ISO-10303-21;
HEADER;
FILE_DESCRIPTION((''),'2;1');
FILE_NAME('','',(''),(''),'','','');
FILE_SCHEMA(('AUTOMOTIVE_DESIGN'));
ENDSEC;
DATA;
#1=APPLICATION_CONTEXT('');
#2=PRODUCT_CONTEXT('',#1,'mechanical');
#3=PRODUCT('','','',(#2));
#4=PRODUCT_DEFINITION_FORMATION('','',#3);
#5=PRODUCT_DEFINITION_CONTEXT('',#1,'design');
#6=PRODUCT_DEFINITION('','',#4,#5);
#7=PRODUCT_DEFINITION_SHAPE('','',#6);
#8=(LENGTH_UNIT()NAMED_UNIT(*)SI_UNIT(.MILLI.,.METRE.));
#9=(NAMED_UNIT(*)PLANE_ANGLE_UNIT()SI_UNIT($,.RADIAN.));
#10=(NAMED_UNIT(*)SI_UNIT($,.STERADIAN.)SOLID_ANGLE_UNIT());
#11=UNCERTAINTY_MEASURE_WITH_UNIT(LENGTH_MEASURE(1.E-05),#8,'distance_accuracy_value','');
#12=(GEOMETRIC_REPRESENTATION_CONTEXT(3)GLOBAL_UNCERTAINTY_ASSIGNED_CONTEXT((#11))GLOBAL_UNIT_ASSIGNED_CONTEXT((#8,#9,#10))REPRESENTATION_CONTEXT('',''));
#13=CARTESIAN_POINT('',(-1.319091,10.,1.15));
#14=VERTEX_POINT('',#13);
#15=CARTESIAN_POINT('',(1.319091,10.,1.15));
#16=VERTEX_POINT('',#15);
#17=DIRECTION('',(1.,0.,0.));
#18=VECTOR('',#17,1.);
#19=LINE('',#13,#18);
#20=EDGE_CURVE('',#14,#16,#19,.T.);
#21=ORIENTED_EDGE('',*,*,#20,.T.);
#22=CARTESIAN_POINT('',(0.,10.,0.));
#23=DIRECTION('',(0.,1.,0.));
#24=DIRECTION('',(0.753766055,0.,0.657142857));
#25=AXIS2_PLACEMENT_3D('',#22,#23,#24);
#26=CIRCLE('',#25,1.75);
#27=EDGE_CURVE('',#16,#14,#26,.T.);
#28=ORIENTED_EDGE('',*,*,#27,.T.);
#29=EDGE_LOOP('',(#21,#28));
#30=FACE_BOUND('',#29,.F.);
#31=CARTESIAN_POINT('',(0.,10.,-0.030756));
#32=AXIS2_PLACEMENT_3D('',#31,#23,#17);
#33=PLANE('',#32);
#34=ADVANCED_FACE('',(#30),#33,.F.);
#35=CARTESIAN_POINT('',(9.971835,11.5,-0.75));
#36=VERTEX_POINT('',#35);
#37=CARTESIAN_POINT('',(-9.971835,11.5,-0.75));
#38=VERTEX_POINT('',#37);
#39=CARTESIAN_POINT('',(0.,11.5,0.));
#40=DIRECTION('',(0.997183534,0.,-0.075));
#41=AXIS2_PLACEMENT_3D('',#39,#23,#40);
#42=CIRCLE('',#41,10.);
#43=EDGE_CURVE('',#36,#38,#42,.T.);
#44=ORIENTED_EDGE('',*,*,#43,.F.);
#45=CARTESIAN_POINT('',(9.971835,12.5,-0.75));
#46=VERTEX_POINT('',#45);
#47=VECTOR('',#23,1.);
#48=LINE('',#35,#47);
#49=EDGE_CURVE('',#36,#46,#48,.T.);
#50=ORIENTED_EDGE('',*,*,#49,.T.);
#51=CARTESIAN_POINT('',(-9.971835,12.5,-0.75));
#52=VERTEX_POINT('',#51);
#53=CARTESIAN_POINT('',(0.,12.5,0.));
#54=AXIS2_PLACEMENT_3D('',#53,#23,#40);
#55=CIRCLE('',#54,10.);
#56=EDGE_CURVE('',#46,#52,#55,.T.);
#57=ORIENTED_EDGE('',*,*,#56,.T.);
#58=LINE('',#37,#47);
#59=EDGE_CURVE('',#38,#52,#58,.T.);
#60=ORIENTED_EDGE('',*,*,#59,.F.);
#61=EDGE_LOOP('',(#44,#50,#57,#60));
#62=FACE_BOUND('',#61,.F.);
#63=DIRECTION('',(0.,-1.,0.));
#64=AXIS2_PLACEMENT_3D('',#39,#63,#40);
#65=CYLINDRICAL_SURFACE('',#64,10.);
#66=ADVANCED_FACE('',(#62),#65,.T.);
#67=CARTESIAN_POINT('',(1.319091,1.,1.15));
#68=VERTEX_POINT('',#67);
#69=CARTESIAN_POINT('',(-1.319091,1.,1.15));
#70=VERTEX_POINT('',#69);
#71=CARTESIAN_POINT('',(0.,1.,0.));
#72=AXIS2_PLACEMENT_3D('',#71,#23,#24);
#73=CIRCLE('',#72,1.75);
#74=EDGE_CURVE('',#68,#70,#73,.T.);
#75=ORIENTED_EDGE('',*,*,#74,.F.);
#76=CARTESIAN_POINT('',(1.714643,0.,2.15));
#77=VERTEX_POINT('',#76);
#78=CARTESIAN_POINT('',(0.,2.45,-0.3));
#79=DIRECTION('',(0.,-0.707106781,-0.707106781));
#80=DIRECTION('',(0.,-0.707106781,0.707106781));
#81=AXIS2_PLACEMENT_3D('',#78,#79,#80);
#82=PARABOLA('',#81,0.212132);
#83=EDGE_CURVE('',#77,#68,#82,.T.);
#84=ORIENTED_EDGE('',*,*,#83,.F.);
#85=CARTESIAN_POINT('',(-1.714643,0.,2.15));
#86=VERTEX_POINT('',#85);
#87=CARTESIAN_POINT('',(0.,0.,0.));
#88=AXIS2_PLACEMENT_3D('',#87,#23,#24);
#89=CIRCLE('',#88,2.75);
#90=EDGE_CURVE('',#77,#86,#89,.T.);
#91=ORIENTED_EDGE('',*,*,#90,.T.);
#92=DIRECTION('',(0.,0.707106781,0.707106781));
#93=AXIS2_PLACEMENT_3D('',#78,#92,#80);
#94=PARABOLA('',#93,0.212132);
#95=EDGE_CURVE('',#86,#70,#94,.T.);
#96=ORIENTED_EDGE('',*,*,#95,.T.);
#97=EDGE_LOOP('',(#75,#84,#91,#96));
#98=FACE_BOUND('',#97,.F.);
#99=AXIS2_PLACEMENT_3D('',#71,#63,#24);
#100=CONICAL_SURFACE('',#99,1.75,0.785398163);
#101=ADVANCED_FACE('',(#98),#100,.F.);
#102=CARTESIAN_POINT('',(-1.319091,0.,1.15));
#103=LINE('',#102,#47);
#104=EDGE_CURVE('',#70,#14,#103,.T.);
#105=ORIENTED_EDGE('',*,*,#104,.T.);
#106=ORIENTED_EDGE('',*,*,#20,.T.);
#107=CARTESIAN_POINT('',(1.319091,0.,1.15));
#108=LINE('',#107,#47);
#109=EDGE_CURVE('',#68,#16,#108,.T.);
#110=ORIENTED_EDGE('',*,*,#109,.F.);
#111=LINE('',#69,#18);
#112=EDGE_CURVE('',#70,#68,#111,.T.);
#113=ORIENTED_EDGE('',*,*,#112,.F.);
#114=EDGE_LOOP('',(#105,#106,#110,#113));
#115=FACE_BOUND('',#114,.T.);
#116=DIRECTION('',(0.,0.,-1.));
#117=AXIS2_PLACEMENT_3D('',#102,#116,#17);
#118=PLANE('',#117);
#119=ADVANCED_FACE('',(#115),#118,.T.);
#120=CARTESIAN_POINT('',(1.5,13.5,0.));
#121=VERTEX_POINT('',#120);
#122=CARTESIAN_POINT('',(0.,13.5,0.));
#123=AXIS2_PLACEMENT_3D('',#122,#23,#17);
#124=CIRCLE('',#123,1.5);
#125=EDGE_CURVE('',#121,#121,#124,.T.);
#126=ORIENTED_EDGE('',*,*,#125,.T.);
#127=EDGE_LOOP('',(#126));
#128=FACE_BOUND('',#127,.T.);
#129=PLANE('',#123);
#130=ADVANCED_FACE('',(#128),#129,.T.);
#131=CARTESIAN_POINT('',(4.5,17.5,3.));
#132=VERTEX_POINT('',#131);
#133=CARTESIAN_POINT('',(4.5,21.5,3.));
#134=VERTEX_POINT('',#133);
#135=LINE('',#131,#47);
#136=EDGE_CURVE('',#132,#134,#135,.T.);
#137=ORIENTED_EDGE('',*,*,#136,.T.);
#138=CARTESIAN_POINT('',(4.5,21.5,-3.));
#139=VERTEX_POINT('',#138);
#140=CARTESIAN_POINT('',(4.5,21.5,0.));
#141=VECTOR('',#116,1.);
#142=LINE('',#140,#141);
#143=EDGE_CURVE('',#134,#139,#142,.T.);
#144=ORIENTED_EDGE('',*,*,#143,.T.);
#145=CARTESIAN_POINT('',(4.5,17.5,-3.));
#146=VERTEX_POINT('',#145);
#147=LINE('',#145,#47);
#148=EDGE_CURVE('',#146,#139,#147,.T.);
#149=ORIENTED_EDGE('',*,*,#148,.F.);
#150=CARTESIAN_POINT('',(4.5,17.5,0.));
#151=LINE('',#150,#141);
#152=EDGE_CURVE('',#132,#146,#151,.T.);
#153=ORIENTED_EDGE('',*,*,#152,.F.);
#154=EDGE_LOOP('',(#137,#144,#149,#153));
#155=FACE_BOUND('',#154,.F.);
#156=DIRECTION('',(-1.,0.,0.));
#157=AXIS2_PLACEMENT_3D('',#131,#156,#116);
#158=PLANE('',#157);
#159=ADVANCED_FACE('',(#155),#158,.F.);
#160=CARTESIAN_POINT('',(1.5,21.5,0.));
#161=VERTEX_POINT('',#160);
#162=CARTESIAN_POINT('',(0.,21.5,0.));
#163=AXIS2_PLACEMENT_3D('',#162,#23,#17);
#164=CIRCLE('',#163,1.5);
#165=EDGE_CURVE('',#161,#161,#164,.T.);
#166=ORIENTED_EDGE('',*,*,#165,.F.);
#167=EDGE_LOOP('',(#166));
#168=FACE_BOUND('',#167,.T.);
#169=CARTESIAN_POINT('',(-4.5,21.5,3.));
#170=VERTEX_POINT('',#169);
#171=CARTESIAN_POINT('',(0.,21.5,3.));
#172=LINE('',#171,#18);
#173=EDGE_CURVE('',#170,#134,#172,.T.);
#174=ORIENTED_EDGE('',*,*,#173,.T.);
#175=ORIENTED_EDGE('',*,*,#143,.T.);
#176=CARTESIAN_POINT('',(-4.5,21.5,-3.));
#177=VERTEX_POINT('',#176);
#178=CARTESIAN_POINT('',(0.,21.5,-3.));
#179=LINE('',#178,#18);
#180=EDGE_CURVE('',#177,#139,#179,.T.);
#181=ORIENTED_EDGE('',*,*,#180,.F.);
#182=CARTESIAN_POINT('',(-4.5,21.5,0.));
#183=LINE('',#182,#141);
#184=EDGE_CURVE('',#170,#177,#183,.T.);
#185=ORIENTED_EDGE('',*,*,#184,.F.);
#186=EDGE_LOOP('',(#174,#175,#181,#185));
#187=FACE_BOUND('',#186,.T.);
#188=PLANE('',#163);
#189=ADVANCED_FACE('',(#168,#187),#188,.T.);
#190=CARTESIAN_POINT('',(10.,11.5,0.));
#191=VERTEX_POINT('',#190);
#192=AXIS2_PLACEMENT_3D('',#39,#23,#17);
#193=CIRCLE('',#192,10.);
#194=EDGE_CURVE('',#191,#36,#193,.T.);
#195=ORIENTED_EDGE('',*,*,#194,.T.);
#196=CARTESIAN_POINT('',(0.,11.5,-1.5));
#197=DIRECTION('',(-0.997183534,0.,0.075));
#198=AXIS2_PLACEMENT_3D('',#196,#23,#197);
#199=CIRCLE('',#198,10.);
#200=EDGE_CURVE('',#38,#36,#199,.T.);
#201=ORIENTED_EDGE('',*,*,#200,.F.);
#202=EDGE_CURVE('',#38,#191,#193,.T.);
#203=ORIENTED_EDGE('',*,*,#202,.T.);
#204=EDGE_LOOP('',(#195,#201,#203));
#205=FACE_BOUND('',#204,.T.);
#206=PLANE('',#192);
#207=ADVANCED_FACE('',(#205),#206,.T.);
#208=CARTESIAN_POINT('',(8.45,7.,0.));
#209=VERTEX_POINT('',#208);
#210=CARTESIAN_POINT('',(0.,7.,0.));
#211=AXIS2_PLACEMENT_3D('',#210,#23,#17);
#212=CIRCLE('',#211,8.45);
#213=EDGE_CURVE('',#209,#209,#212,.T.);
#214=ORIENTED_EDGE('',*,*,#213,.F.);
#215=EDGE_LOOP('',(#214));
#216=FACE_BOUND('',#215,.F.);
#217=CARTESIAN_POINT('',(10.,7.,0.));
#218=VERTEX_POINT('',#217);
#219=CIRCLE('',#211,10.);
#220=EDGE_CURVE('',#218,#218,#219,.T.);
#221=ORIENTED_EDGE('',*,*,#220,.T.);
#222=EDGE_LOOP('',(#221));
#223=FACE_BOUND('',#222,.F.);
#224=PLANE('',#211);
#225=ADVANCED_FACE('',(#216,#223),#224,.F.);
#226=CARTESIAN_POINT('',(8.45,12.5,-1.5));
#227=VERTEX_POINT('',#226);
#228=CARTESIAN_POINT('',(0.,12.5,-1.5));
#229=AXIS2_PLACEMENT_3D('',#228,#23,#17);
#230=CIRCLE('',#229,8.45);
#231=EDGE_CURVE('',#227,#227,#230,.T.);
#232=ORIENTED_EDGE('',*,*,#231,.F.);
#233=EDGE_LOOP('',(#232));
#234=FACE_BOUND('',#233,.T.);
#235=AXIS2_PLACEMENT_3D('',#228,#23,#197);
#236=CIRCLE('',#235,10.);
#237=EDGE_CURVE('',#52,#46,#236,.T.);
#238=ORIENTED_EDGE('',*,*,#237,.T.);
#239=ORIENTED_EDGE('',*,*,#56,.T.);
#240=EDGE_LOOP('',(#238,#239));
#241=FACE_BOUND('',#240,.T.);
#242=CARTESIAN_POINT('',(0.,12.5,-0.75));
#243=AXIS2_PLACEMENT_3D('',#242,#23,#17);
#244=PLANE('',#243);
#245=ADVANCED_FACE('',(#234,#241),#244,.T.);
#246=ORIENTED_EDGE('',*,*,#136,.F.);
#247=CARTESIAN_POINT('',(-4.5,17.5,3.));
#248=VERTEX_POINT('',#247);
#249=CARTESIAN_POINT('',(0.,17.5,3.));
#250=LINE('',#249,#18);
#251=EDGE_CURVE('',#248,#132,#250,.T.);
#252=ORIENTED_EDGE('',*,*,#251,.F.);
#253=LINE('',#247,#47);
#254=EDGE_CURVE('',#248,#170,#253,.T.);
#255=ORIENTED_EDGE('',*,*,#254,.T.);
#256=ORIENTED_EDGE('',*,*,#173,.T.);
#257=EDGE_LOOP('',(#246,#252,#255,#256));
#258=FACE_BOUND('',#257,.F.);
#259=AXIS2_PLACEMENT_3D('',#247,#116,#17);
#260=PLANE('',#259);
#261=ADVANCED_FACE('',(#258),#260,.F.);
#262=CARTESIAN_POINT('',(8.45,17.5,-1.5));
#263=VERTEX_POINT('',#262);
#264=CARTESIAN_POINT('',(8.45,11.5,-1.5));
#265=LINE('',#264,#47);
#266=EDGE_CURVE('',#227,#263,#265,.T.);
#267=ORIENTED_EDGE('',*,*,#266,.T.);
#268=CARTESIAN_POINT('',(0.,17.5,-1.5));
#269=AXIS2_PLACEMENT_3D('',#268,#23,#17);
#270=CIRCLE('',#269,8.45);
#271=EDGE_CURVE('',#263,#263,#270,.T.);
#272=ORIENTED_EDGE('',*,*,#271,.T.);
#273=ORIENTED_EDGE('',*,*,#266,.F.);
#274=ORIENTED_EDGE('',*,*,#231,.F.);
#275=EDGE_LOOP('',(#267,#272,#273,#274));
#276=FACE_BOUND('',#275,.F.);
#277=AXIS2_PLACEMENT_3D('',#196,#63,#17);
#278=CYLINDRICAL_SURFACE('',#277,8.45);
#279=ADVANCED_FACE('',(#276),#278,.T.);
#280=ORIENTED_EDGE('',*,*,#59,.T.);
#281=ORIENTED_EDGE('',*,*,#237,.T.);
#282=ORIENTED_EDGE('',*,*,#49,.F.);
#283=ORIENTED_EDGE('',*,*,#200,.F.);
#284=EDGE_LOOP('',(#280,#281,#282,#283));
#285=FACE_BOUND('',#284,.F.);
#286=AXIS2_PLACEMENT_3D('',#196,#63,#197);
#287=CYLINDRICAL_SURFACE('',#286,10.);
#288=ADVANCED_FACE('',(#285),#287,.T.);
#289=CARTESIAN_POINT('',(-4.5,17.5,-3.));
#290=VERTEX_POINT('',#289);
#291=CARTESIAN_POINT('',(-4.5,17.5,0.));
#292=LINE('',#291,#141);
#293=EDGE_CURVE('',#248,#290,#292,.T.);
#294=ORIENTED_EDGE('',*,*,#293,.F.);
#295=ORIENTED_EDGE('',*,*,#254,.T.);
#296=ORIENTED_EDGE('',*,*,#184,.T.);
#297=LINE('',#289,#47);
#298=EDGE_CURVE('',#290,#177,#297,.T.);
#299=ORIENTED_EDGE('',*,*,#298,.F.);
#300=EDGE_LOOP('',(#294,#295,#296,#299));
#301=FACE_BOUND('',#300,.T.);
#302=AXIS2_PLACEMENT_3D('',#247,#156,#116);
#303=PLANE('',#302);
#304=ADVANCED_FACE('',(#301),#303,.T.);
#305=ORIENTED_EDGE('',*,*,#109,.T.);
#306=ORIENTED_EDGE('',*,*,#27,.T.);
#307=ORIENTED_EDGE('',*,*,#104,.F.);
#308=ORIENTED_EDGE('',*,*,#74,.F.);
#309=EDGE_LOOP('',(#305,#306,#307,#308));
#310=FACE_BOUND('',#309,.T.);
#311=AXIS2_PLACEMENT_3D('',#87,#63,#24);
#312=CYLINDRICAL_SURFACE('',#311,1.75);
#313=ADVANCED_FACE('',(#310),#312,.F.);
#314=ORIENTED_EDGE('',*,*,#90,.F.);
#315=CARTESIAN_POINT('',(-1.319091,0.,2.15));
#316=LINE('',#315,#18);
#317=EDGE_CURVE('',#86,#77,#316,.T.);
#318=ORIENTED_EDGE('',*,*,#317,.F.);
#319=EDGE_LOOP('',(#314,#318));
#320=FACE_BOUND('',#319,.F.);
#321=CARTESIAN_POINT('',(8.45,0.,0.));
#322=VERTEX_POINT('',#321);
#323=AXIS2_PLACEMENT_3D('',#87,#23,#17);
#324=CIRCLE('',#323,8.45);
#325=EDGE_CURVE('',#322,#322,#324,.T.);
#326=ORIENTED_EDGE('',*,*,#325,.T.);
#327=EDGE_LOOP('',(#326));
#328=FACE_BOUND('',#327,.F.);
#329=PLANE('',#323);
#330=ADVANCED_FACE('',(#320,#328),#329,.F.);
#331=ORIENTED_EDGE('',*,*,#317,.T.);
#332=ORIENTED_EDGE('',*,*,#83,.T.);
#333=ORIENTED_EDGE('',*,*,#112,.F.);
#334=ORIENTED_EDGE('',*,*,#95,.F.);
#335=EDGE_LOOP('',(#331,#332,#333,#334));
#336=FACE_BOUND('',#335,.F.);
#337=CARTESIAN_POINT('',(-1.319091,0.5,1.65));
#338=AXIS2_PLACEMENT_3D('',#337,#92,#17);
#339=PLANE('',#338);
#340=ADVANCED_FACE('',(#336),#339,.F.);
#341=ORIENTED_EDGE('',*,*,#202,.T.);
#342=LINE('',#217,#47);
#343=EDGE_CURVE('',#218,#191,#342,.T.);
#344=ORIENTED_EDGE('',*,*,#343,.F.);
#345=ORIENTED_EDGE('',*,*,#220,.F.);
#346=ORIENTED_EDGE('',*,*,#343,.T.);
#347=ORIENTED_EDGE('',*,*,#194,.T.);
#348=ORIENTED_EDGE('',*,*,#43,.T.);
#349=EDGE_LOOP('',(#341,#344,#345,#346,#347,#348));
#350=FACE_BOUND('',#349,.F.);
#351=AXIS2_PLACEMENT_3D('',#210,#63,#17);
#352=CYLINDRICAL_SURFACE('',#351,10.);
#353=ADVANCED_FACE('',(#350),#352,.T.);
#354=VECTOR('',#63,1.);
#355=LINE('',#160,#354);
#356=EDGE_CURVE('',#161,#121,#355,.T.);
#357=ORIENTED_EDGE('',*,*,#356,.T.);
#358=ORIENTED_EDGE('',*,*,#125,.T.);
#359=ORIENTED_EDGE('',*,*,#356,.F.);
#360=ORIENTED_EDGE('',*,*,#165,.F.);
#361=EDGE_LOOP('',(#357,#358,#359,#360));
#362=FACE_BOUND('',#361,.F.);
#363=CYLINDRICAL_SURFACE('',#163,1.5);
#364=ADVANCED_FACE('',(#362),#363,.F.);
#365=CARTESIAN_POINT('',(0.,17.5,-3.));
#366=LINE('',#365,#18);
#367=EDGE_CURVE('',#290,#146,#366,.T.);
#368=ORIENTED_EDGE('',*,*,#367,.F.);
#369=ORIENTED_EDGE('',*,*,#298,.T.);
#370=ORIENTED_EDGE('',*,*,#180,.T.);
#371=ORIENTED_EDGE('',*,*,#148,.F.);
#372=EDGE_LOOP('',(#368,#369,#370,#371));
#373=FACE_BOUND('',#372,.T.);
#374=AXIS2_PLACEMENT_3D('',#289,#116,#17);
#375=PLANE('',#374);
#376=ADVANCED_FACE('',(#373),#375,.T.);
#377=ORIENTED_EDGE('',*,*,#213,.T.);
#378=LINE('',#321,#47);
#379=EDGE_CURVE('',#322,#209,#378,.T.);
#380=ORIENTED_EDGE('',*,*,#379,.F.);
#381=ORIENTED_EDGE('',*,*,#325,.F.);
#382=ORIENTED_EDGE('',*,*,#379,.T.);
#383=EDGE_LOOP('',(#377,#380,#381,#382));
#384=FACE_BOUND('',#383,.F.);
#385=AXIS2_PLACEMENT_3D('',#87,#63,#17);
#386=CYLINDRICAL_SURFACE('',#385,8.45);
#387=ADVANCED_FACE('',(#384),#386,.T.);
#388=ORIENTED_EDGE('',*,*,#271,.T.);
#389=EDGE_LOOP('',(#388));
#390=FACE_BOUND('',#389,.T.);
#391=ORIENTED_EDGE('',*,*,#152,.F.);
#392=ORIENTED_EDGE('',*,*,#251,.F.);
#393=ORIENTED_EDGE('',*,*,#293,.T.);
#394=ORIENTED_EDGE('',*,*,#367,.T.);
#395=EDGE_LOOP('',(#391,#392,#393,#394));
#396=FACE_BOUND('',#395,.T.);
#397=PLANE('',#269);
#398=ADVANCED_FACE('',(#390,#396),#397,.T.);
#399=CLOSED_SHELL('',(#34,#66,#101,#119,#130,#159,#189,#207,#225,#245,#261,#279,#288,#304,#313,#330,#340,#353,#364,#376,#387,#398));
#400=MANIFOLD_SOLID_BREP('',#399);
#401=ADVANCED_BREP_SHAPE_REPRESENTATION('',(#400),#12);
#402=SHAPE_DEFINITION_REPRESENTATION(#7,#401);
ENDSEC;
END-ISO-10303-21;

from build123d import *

# Parameters (mm, degrees)
SKETCH1_R           = 8.45
BOSS_EXTRUDE1_DEPTH = 7
SKETCH2_R           = 10
BOSS_EXTRUDE2_DEPTH = 4.5
SKETCH3_R           = 8.45
BOSS_EXTRUDE3_DEPTH = 6
SKETCH4_R           = 8.45
BOSS_EXTRUDE4_DEPTH = 1
SKETCH5_W           = 9
SKETCH5_H           = 6
BOSS_EXTRUDE5_DEPTH = 4
SKETCH6_R           = 1.5
CUT_EXTRUDE1_DEPTH  = 8
CUT_EXTRUDE4_DEPTH  = 10
CHAMFER1_SIZE       = 1


with BuildPart() as part:
    # Sketch1 → Boss-Extrude1 (new body)
    with BuildSketch(Plane(origin=(0, 0, 0), x_dir=(1, 0, 0), z_dir=(0, 1, 0))):
        Circle(SKETCH1_R)
    extrude(amount=BOSS_EXTRUDE1_DEPTH)

    # Sketch2 → Boss-Extrude2 (add)
    with BuildSketch(Plane(origin=(0, 7, 0), x_dir=(1, 0, 0), z_dir=(0, 1, 0))):
        Circle(SKETCH2_R)
    extrude(amount=BOSS_EXTRUDE2_DEPTH)

    # Sketch3 → Boss-Extrude3 (add)
    with BuildSketch(Plane(origin=(0, 11.5, 0), x_dir=(1, 0, 0), z_dir=(0, 1, 0))):
        with Locations((0, 1.5)):
            Circle(SKETCH3_R)
    extrude(amount=BOSS_EXTRUDE3_DEPTH)

    # Sketch4 → Boss-Extrude4 (add)
    with BuildSketch(Plane(origin=(0, 11.5, 0), x_dir=(1, 0, 0), z_dir=(0, 1, 0))):
        with BuildLine():
            ThreePointArc((9.971835338, 0.75), (0, 10), (-9.971835338, 0.75))
            ThreePointArc((-9.971835338, 0.75), (0, -8.5), (9.971835338, 0.75))
        make_face()
        with Locations((0, 1.5)):
            Circle(SKETCH4_R, mode=Mode.SUBTRACT)
    extrude(amount=BOSS_EXTRUDE4_DEPTH)

    # Sketch5 → Boss-Extrude5 (add)
    with BuildSketch(Plane(origin=(0, 17.5, 0), x_dir=(1, 0, 0), z_dir=(0, 1, 0))):
        Rectangle(SKETCH5_W, SKETCH5_H)
    extrude(amount=BOSS_EXTRUDE5_DEPTH)

    # Sketch6 → Cut-Extrude1 (cut)
    with BuildSketch(Plane(origin=(0, 21.5, 0), x_dir=(1, 0, 0), z_dir=(0, 1, 0))):
        Circle(SKETCH6_R)
    extrude(amount=-CUT_EXTRUDE1_DEPTH, mode=Mode.SUBTRACT)

    # Sketch9 → Cut-Extrude4 (cut)
    with BuildSketch(Plane(origin=(0, 0, 0), x_dir=(-1, 0, 0), z_dir=(0, -1, 0))):
        with BuildLine():
            Line((1.319090596, -1.15), (-1.319090596, -1.15))
            ThreePointArc((-1.319090596, -1.15), (0, 1.75), (1.319090596, -1.15))
        make_face()
    extrude(amount=-CUT_EXTRUDE4_DEPTH, mode=Mode.SUBTRACT)

    # Chamfer1
    chamfer1_edges = [part.edges().sort_by_distance(p)[0] for p in [
        (0, 0, -1.75),
        (0, 0, 1.15),
    ]]
    chamfer(chamfer1_edges, length=CHAMFER1_SIZE)


solid = part.part
